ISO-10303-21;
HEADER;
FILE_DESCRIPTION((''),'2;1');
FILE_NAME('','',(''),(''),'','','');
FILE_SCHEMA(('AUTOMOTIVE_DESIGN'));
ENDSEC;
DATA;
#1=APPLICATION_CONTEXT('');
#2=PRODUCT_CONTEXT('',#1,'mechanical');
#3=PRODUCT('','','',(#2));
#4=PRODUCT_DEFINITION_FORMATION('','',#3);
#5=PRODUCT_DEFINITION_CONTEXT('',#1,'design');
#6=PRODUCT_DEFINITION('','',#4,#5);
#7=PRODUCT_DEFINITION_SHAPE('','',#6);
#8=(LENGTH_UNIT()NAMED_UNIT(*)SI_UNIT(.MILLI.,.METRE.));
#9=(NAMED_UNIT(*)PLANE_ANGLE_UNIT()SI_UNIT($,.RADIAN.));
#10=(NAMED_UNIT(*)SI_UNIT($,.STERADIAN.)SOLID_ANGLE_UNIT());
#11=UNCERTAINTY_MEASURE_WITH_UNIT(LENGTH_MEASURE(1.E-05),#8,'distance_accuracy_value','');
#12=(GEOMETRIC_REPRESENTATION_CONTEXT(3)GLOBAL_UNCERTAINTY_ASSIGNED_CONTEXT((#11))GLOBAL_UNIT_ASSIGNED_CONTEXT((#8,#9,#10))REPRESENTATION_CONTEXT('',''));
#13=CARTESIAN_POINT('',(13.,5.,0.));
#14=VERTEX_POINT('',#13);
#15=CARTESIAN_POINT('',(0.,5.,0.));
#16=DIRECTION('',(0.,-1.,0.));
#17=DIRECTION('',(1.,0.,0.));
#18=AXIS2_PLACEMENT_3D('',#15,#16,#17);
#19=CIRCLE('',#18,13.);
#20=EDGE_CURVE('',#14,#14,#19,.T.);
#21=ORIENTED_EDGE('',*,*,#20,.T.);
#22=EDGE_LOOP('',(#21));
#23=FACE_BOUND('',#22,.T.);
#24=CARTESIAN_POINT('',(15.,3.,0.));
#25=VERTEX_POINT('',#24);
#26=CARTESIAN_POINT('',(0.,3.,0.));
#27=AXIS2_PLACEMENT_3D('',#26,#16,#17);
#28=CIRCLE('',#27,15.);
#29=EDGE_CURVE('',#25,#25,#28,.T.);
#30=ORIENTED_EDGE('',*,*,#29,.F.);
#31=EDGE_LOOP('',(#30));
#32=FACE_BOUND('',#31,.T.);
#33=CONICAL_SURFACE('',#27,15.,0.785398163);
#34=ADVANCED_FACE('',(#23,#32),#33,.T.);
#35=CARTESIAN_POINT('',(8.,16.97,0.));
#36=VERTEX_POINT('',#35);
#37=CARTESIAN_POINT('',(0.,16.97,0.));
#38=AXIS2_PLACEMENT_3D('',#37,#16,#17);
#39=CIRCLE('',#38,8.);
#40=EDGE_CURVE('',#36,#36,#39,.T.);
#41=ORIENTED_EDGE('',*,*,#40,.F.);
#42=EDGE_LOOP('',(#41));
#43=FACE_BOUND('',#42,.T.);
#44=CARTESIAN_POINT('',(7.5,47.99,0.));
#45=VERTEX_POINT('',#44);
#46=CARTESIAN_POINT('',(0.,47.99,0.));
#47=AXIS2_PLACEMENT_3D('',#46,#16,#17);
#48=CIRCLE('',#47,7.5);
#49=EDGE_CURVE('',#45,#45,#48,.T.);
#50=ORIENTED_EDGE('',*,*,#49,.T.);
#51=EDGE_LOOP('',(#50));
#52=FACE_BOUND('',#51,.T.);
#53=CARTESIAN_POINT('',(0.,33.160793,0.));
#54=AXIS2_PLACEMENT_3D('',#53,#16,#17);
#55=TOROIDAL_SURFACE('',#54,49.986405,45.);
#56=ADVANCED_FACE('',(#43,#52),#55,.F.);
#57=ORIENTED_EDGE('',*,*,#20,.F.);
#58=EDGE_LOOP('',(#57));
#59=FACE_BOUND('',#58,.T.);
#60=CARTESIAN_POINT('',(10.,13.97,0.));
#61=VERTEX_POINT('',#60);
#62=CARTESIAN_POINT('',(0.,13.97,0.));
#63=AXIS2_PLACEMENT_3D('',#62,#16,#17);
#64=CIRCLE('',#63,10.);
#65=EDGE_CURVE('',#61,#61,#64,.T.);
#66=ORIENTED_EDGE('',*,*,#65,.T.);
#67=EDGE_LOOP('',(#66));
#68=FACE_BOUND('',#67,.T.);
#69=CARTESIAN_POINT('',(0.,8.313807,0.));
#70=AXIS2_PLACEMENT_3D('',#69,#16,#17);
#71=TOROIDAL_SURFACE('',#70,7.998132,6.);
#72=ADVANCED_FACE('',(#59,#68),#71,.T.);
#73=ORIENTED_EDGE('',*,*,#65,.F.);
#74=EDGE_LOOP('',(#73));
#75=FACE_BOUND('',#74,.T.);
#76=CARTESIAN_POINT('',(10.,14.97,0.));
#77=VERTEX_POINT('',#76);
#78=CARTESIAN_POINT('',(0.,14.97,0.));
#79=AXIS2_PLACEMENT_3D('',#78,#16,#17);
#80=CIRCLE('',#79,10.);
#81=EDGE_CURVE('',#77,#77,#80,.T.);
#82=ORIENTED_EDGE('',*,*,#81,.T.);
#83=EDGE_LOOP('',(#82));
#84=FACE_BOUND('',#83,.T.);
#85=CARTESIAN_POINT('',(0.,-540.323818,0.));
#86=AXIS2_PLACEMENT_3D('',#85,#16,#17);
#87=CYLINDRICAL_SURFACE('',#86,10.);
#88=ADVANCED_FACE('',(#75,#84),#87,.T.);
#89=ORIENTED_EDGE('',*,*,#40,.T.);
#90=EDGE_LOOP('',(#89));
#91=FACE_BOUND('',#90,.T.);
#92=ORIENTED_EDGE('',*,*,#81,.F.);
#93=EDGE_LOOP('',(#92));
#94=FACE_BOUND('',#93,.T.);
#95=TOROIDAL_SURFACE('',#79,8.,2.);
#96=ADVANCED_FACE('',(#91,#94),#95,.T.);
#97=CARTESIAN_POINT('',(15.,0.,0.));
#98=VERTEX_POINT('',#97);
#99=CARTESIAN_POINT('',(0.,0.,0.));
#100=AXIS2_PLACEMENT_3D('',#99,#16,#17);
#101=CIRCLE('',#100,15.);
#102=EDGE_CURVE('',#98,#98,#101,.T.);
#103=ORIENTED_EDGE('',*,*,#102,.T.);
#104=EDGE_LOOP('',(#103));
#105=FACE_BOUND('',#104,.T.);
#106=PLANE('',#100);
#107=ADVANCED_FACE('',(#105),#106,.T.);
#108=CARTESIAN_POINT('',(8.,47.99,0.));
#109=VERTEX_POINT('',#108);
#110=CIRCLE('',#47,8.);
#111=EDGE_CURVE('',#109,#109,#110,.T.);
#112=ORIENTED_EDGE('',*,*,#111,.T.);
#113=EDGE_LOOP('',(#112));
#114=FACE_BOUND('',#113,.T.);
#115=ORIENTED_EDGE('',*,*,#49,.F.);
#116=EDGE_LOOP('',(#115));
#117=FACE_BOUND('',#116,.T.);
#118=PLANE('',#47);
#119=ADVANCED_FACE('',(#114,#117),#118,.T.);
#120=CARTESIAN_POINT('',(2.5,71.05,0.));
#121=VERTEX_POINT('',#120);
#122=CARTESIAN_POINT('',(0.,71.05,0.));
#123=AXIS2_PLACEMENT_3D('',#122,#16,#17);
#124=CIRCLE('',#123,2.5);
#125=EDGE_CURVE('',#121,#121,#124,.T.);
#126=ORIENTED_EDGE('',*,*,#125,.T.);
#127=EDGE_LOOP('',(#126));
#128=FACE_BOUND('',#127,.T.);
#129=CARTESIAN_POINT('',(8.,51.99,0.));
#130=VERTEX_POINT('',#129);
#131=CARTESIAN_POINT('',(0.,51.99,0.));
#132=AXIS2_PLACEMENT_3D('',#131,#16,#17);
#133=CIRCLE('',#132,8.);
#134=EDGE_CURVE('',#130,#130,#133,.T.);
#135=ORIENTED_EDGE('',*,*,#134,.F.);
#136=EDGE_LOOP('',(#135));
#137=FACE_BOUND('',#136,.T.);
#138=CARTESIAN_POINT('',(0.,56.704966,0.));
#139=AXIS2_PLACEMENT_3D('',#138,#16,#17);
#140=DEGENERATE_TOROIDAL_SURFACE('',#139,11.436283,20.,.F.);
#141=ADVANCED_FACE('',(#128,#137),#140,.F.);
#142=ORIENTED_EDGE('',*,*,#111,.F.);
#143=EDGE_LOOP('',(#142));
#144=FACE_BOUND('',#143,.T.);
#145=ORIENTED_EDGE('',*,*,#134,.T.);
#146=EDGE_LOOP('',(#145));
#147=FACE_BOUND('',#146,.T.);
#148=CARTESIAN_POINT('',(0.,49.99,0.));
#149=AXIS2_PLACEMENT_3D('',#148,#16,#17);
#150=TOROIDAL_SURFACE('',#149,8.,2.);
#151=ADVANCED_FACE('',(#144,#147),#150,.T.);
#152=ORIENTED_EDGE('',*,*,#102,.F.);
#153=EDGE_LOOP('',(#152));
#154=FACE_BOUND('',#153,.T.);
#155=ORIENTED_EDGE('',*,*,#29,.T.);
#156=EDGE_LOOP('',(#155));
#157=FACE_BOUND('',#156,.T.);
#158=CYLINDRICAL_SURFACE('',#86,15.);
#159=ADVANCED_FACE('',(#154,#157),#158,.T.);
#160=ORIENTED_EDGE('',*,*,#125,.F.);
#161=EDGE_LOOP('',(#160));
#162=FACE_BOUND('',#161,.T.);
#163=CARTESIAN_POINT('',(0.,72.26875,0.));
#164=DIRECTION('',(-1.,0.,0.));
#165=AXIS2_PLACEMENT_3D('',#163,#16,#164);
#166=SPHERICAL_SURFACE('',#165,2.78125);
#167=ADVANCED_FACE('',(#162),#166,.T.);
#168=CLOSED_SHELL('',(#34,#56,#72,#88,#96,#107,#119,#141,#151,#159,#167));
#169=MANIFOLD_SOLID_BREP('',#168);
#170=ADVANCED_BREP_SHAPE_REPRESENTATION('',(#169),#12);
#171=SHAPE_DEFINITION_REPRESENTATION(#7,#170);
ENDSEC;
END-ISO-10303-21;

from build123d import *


with BuildPart() as part:
    # Sketch1 → Revolve1 (revolve)
    with BuildSketch(Plane.XY, mode=Mode.PRIVATE) as revolve1_sk:
        with BuildLine():
            Line((-15, 0), (0, 0))
            Line((0, 0), (0, 71.05))
            Line((0, 71.05), (-2.5, 71.05))
            ThreePointArc((-2.5, 71.05), (-7.779672348, 62.249968411), (-8, 51.99))
            ThreePointArc((-8, 51.99), (-9.414213562, 51.404213562), (-10, 49.99))
            ThreePointArc((-10, 49.99), (-9.414213562, 48.575786438), (-8, 47.99))
            Line((-8, 47.99), (-7.5, 47.99))
            ThreePointArc((-7.5, 47.99), (-4.992249752, 32.435548835), (-8, 16.97))
            ThreePointArc((-8, 16.97), (-9.414213562, 16.384213562), (-10, 14.97))
            Line((-10, 14.97), (-10, 13.97))
            ThreePointArc((-10, 13.97), (-13.688325627, 10.216881481), (-13, 5))
            Line((-13, 5), (-15, 3))
            Line((-15, 3), (-15, 0))
        make_face()
        with BuildLine():
            Line((-2.5, 71.05), (0, 71.05))
            Line((0, 71.05), (0, 75.05))
            ThreePointArc((0, 75.05), (-2.358495283, 73.742809552), (-2.5, 71.05))
        make_face()
    revolve(revolve1_sk.sketch.rotate(Axis((0, -540.323818274, 0), (0, 1, 0)), 180), axis=Axis((0, -540.323818274, 0), (0, 1, 0)))


solid = part.part
